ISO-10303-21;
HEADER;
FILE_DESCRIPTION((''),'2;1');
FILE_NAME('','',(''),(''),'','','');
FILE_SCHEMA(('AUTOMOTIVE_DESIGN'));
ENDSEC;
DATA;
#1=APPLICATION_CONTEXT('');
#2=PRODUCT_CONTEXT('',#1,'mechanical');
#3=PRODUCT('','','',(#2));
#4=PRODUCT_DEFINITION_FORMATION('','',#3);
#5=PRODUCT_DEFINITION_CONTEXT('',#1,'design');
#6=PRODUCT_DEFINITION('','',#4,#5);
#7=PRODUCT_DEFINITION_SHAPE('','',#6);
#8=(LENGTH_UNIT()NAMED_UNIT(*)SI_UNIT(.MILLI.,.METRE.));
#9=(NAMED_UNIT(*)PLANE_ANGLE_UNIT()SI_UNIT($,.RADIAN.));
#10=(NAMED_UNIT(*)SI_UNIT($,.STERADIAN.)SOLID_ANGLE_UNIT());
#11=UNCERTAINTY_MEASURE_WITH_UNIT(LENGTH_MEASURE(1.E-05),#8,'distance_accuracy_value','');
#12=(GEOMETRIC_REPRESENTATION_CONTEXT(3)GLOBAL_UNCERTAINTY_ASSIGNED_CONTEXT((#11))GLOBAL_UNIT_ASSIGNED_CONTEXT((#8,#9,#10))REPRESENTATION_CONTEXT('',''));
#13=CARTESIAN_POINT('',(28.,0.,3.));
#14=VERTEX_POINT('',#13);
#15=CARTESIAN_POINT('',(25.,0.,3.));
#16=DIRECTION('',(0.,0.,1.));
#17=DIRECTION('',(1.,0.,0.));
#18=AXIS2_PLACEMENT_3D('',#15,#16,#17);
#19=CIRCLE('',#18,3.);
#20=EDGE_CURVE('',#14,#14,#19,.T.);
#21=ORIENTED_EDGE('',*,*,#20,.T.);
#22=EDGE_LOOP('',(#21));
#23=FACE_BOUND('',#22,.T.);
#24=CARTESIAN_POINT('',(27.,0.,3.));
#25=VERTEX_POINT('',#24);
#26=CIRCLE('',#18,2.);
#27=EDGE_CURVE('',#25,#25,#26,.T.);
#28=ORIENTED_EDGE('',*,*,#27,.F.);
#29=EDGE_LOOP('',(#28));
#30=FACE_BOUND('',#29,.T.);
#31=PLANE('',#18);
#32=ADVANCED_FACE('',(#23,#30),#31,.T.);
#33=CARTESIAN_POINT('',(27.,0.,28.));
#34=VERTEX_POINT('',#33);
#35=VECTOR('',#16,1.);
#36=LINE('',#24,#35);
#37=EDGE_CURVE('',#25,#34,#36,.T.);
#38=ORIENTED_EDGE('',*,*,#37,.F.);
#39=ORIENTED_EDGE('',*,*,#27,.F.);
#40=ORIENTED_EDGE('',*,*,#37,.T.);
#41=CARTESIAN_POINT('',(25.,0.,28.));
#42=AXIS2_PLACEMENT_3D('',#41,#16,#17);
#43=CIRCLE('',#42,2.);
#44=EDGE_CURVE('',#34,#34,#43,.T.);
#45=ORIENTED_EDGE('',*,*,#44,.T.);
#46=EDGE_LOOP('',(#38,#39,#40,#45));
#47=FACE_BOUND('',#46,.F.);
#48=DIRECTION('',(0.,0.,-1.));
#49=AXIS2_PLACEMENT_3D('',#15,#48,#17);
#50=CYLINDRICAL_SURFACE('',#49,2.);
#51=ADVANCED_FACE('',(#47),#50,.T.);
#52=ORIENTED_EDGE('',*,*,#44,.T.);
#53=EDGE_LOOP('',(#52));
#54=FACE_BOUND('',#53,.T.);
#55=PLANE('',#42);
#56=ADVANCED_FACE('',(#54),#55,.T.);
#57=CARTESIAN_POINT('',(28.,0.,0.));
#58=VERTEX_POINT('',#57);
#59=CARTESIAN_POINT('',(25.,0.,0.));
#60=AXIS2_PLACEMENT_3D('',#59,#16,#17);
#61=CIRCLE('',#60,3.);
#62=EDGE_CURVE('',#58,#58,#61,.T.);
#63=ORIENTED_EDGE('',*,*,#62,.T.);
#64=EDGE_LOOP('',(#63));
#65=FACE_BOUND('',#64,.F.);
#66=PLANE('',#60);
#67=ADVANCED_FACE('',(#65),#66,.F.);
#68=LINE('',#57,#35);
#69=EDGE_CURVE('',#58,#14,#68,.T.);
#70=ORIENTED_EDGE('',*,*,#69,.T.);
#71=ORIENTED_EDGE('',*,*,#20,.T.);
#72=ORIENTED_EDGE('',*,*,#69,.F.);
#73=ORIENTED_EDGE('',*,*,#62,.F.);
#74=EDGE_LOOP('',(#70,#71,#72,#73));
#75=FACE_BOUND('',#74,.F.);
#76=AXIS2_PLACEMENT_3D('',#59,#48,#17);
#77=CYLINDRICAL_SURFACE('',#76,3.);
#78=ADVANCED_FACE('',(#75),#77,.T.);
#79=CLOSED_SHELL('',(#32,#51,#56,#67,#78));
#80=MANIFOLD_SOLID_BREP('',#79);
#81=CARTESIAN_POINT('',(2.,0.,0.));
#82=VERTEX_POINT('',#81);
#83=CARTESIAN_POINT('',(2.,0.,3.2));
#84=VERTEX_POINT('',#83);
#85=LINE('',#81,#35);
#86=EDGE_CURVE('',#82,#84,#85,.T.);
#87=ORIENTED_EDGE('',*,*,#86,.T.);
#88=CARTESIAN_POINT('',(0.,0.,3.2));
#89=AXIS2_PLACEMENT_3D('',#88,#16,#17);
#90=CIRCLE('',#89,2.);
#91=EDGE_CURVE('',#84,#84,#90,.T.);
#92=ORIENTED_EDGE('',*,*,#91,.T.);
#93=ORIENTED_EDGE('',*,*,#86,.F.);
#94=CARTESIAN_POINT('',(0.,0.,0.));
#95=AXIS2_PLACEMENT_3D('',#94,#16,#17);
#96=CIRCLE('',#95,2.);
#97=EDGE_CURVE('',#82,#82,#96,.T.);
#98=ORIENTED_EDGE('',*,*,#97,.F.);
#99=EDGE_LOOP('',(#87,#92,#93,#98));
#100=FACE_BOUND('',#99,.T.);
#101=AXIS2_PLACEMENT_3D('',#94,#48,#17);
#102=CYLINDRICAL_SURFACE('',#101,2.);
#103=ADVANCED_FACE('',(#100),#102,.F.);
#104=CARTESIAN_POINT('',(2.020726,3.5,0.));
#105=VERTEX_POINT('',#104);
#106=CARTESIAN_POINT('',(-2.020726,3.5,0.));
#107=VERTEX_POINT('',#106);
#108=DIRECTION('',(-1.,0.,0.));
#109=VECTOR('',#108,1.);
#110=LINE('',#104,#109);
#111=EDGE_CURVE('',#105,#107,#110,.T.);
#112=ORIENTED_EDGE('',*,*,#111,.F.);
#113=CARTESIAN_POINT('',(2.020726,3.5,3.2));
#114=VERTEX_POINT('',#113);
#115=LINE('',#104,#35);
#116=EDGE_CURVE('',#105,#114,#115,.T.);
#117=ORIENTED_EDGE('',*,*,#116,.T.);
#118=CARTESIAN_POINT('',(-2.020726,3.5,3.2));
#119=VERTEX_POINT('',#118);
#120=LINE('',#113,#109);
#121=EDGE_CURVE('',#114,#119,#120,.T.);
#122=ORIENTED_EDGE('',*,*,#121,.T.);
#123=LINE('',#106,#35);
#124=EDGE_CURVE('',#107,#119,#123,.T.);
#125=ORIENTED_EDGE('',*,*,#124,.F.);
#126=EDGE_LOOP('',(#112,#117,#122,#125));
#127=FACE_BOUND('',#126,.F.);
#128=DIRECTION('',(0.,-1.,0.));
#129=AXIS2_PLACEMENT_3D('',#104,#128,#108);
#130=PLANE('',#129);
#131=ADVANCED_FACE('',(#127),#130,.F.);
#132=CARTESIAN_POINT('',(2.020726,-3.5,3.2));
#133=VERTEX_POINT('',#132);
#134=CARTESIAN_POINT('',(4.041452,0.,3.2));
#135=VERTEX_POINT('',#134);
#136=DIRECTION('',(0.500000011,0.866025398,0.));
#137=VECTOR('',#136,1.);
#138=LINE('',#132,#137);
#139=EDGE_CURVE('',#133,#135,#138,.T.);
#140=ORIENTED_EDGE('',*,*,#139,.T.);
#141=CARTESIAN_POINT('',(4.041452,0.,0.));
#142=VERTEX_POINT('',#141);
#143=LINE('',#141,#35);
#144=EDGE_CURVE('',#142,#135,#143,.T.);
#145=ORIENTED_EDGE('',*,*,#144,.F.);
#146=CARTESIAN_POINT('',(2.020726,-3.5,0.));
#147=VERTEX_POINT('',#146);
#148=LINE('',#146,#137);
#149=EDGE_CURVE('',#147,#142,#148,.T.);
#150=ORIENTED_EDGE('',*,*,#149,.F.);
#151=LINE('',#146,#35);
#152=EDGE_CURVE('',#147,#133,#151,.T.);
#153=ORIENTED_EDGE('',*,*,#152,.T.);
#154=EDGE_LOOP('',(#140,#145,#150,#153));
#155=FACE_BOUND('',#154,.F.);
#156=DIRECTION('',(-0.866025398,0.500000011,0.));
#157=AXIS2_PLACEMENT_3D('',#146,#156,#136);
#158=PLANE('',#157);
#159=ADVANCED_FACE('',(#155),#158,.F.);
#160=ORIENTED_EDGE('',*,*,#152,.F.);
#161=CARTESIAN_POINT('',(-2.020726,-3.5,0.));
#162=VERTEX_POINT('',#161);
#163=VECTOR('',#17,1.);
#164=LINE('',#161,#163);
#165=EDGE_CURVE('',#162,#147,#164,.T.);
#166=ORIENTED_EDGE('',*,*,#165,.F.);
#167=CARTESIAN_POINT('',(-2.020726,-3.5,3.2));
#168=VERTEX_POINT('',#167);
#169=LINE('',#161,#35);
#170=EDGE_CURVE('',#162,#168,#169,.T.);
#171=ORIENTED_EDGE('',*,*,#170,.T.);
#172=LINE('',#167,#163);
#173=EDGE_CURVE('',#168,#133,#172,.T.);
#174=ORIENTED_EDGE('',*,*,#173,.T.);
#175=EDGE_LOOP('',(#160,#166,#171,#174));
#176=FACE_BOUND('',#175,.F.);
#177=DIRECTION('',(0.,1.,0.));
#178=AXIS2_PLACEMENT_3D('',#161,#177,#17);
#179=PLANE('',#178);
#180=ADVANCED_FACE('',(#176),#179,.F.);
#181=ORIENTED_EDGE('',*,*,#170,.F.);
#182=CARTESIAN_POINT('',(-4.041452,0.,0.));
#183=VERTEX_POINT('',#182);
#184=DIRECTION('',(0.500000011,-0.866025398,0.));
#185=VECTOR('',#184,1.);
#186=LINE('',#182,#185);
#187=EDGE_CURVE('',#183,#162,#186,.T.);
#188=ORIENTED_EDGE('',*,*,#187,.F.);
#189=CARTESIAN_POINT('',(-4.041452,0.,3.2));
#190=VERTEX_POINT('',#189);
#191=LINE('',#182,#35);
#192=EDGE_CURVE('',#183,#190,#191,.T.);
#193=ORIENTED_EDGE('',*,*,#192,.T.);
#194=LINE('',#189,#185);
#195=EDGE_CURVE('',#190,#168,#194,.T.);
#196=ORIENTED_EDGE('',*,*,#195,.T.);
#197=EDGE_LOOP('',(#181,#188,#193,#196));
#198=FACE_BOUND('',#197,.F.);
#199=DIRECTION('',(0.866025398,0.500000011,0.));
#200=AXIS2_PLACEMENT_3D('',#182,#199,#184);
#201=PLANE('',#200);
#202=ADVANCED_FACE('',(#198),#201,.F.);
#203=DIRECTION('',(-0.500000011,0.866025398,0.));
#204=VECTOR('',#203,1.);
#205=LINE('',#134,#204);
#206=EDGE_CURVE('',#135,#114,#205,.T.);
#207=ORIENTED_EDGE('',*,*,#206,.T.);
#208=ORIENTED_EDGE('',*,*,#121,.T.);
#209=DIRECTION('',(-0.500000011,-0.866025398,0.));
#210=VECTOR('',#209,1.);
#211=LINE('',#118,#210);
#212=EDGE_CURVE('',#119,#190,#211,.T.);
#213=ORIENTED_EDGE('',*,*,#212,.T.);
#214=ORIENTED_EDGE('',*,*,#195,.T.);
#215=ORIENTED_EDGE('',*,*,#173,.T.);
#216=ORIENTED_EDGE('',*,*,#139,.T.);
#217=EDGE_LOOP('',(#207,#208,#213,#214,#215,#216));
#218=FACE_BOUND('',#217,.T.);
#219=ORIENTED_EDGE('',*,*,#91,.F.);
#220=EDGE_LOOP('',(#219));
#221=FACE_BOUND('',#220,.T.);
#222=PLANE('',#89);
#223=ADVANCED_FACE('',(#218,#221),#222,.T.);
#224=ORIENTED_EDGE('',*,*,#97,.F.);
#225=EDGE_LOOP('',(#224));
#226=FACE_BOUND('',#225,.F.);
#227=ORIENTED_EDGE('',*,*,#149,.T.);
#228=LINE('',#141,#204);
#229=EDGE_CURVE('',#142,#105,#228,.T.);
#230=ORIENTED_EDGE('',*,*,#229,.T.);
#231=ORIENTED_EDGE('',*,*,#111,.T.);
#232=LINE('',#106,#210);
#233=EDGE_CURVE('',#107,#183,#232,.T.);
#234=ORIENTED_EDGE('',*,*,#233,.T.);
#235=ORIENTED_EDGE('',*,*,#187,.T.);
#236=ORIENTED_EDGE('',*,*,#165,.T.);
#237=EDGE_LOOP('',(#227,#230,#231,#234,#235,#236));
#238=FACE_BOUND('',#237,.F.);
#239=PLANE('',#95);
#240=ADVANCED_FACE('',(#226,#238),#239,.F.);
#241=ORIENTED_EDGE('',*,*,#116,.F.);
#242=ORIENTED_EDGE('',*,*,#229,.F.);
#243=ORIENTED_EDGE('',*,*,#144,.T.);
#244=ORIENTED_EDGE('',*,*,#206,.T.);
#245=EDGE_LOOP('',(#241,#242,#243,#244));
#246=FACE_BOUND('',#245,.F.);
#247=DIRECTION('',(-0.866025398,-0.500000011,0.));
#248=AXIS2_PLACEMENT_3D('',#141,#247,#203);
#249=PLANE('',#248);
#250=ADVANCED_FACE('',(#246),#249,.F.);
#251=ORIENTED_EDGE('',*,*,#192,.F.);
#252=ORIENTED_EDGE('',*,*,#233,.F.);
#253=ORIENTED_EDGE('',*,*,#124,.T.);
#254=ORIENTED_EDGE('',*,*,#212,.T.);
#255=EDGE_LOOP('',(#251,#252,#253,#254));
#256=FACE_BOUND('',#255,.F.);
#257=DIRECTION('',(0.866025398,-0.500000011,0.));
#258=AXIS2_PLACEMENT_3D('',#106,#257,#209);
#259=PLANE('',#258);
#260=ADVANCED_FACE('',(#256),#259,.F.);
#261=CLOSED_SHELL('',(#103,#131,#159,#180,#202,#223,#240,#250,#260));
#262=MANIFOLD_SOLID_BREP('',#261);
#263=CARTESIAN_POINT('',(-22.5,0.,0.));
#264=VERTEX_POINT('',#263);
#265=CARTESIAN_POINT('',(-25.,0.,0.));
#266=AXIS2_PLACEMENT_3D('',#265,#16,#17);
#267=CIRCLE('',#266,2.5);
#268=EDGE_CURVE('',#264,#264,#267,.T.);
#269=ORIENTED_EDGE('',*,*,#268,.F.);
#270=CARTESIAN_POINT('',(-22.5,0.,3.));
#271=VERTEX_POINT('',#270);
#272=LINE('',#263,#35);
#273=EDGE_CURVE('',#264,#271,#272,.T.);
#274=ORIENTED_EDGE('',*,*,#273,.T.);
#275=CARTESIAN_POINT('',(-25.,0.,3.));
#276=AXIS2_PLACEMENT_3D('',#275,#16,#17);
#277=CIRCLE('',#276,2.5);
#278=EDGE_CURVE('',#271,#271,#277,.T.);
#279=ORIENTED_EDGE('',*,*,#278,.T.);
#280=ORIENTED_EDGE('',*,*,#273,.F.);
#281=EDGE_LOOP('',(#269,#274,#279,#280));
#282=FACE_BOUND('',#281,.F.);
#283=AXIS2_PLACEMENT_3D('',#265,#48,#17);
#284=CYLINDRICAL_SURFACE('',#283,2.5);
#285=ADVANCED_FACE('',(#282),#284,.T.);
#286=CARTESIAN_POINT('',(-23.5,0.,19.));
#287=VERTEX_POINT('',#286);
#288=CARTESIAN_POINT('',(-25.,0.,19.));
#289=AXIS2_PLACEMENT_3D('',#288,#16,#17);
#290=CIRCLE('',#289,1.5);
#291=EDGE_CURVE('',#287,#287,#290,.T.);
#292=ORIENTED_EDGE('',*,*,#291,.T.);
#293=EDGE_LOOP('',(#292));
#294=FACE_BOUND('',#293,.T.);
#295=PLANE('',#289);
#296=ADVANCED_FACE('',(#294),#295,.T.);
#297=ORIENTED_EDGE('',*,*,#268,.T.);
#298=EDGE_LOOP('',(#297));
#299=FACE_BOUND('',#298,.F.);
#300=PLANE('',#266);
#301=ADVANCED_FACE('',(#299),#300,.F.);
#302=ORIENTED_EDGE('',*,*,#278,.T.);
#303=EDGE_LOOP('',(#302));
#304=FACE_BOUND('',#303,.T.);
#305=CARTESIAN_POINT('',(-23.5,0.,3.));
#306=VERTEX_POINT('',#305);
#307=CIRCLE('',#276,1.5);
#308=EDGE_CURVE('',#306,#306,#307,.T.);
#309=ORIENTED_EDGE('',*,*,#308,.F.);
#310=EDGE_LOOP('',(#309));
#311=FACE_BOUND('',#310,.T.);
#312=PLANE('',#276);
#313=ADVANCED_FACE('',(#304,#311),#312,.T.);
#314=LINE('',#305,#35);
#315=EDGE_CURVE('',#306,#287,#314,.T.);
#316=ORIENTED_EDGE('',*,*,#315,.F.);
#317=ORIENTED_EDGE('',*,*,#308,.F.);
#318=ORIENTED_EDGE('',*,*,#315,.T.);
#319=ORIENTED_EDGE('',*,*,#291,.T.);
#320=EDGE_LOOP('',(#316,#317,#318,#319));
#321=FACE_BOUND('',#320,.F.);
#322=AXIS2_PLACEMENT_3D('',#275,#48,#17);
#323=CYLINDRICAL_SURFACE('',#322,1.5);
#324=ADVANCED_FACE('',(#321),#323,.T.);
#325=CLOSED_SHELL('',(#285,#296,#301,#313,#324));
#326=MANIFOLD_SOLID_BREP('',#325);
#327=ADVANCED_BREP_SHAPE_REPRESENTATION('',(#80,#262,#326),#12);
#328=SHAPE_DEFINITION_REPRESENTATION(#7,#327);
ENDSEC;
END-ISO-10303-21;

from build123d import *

# Parameters (mm, degrees)
F0_R     = 2.5
F1_DEPTH = 3
F0_R_2   = 3
F2_DEPTH = 3
F3_R     = 1.5
F4_DEPTH = 16
F5_R     = 2
F6_DEPTH = 25
F7_R     = 2
F8_DEPTH = 3.2


with BuildPart() as f1:
    # F0 (on Top) → F1 (new body)
    with BuildSketch(Plane.XY):
        with Locations((-25, 0)):
            Circle(F0_R)
    extrude(amount=F1_DEPTH)

    # F3 (on face) → F4 (join)
    with BuildSketch(Plane.XY.offset(3)):
        with Locations((-25, 0)):
            Circle(F3_R)
    extrude(amount=F4_DEPTH)


with BuildPart() as f2:
    # F0 (on Top) → F2 (new body)
    with BuildSketch(Plane.XY):
        with Locations((25, 0)):
            Circle(F0_R_2)
    extrude(amount=F2_DEPTH)

    # F5 (on face) → F6 (join)
    with BuildSketch(Plane.XY.offset(3)):
        with Locations((25, 0)):
            Circle(F5_R)
    extrude(amount=F6_DEPTH)


with BuildPart() as f8:
    # F7 (on Top) → F8 (new body)
    with BuildSketch(Plane.XY):
        Polygon((2.020726, 3.5), (-2.020726, 3.5), (-4.041452, 0), (-2.020726, -3.5), (2.020726, -3.5), (4.041452, 0), align=None)
        Circle(F7_R, mode=Mode.SUBTRACT)
    extrude(amount=F8_DEPTH)


solid = Compound([f1.part, f2.part, f8.part])
